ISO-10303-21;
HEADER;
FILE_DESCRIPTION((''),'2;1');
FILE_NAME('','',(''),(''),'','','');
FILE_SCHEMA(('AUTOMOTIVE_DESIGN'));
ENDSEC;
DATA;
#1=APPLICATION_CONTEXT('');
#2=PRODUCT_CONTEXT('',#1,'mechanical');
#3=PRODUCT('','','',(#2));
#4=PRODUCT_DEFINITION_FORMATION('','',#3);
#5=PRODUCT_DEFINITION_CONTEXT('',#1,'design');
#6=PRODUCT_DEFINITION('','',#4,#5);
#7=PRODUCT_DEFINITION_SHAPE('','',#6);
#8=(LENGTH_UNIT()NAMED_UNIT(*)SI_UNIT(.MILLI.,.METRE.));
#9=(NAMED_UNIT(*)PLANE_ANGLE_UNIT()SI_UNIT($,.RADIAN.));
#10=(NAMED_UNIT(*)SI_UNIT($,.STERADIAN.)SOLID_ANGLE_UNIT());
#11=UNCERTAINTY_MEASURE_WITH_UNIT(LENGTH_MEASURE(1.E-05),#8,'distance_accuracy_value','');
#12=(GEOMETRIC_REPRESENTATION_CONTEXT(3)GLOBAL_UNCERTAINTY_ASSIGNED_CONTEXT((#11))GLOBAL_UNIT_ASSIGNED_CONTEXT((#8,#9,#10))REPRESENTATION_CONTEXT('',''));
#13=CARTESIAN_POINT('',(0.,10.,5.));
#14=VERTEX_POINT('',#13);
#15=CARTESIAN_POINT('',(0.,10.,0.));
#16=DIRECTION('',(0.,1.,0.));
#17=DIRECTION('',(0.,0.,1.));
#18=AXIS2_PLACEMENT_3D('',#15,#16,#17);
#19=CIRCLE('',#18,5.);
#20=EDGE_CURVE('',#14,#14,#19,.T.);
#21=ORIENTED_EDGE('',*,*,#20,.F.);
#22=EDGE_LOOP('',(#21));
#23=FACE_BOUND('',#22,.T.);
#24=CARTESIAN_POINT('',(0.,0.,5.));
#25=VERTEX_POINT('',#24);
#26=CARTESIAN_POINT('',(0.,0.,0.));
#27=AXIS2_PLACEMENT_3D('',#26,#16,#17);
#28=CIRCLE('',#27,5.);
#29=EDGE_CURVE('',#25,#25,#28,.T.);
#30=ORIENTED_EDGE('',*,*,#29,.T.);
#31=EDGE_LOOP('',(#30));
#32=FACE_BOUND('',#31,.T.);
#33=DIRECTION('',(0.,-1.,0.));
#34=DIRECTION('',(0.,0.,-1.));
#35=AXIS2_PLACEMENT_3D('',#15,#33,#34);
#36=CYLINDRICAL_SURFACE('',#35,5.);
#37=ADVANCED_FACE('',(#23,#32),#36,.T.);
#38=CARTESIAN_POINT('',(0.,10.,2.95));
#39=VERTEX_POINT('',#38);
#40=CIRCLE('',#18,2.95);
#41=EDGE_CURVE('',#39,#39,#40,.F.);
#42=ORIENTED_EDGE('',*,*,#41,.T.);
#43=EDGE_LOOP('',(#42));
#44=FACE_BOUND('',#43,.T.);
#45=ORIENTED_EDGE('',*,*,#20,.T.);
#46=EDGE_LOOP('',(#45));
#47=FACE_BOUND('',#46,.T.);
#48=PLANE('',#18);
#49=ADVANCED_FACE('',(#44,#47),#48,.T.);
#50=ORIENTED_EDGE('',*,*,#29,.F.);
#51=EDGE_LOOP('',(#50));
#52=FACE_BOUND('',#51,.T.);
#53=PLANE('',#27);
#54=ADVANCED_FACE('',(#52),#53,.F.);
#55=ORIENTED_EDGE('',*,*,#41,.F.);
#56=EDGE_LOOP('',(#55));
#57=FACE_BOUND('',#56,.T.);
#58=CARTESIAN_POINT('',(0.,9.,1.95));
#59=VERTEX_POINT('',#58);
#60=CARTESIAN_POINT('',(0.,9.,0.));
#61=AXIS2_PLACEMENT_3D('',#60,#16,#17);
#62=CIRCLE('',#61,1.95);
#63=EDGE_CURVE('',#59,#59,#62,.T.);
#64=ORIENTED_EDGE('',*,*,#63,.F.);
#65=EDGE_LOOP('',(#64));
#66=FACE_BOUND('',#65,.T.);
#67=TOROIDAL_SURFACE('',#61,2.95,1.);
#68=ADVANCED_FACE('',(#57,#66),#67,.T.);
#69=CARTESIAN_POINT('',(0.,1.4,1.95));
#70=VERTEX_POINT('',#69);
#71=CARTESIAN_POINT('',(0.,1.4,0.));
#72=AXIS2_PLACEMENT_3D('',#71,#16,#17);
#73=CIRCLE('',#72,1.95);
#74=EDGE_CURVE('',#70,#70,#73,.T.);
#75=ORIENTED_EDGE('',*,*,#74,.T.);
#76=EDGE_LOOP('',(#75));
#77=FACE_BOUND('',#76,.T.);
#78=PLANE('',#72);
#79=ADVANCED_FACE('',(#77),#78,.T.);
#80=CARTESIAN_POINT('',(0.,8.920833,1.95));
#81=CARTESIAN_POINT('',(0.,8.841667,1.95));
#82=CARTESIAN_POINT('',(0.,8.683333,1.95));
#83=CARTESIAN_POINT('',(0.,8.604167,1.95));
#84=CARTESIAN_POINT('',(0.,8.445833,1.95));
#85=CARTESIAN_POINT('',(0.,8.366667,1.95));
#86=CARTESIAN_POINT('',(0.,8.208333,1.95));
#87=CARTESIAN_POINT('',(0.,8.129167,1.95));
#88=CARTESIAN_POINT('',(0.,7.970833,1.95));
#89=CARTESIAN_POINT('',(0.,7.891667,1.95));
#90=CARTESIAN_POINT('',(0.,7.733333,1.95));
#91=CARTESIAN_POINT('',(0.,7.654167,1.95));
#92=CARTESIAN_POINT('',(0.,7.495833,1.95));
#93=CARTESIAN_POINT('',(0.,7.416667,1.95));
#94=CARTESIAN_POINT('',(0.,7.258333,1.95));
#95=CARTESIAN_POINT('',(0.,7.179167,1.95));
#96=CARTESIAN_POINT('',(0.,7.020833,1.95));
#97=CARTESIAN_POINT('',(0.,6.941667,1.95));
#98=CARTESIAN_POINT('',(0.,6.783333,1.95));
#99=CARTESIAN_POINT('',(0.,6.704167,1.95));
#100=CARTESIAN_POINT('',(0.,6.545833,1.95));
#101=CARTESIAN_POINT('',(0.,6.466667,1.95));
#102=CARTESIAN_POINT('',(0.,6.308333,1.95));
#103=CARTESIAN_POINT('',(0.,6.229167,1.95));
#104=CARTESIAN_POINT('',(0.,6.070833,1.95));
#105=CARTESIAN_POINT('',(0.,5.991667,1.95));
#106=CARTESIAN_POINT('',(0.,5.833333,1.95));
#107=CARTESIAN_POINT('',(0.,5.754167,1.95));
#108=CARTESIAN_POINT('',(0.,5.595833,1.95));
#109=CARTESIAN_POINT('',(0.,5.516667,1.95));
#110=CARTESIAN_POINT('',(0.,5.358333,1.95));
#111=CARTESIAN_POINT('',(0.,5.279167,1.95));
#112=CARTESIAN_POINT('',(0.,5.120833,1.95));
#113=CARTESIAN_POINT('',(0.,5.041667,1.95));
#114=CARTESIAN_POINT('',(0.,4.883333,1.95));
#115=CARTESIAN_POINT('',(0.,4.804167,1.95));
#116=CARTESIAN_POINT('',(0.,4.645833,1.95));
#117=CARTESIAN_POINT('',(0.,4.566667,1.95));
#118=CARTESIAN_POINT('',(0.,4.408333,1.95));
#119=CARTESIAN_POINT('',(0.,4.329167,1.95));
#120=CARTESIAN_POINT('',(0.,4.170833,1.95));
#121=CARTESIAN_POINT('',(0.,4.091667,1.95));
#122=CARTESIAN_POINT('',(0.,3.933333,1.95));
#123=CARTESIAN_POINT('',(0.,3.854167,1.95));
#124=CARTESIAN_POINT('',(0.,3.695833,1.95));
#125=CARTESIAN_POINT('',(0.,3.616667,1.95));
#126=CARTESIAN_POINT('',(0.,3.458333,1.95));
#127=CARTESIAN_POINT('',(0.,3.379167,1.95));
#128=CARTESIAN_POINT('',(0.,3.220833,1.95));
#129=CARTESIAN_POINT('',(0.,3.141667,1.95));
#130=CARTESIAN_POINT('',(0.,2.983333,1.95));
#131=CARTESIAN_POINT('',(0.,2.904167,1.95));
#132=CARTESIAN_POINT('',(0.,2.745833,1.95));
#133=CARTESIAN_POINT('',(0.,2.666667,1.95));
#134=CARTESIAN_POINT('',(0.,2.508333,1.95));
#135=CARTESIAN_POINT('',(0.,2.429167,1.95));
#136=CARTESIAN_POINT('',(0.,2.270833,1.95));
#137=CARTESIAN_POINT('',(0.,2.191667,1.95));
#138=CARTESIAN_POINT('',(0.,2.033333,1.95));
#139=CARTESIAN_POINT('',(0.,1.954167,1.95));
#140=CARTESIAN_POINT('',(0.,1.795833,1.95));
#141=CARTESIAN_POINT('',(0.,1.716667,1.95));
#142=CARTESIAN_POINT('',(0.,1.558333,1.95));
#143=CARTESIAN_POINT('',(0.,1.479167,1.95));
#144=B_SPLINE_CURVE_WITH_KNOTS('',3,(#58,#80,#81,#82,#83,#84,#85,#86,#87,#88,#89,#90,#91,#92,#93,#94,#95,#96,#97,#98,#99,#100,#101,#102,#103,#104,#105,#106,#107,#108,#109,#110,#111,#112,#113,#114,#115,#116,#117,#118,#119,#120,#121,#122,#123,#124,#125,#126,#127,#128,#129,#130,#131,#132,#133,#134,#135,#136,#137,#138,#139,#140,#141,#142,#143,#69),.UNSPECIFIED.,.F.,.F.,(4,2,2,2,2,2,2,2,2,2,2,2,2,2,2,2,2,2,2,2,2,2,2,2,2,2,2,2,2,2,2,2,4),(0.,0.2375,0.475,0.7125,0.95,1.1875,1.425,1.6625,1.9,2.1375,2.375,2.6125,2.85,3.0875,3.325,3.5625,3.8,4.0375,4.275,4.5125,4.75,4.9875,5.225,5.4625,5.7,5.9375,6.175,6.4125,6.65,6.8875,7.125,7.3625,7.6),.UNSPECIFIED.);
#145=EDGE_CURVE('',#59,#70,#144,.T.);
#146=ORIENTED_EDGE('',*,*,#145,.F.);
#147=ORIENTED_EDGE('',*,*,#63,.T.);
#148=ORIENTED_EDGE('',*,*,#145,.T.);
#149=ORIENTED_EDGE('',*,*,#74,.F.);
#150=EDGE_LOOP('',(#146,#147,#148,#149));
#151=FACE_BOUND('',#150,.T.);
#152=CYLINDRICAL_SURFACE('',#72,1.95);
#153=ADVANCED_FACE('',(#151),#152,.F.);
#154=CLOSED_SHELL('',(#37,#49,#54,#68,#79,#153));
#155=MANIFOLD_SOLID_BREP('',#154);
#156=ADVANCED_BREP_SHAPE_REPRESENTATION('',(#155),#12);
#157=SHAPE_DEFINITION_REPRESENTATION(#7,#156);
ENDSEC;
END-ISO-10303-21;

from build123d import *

# Parameters (mm, degrees)
SKETCH_1_R          = 5
EXTRUDE_1_DEPTH     = 10
SKETCH_2_R          = 1.95
CUT_EXTRUDE_1_DEPTH = 8.6
FILLET_1_R          = 1


with BuildPart() as part:
    # Эскиз1 → Бобышка-Вытянуть1 (new body)
    with BuildSketch(Plane(origin=(0, 0, 0), x_dir=(1, 0, 0), z_dir=(0, 1, 0))):
        with Locations(Location((0, 0, 0), (0, 0, 270))):
            Circle(SKETCH_1_R)
    extrude(amount=EXTRUDE_1_DEPTH)

    # Эскиз2 → Вырез-Вытянуть1 (cut)
    with BuildSketch(Plane(origin=(0, 10, 0), x_dir=(1, 0, 0), z_dir=(0, 1, 0))):
        with Locations(Location((0, 0, 0), (0, 0, 270))):
            Circle(SKETCH_2_R)
    extrude(amount=-CUT_EXTRUDE_1_DEPTH, mode=Mode.SUBTRACT)

    # Скругление1
    fillet_1_edges = [part.edges().sort_by_distance(p)[0] for p in [
        (0, 10, -1.95),
    ]]
    fillet(fillet_1_edges, radius=FILLET_1_R)


solid = part.part
